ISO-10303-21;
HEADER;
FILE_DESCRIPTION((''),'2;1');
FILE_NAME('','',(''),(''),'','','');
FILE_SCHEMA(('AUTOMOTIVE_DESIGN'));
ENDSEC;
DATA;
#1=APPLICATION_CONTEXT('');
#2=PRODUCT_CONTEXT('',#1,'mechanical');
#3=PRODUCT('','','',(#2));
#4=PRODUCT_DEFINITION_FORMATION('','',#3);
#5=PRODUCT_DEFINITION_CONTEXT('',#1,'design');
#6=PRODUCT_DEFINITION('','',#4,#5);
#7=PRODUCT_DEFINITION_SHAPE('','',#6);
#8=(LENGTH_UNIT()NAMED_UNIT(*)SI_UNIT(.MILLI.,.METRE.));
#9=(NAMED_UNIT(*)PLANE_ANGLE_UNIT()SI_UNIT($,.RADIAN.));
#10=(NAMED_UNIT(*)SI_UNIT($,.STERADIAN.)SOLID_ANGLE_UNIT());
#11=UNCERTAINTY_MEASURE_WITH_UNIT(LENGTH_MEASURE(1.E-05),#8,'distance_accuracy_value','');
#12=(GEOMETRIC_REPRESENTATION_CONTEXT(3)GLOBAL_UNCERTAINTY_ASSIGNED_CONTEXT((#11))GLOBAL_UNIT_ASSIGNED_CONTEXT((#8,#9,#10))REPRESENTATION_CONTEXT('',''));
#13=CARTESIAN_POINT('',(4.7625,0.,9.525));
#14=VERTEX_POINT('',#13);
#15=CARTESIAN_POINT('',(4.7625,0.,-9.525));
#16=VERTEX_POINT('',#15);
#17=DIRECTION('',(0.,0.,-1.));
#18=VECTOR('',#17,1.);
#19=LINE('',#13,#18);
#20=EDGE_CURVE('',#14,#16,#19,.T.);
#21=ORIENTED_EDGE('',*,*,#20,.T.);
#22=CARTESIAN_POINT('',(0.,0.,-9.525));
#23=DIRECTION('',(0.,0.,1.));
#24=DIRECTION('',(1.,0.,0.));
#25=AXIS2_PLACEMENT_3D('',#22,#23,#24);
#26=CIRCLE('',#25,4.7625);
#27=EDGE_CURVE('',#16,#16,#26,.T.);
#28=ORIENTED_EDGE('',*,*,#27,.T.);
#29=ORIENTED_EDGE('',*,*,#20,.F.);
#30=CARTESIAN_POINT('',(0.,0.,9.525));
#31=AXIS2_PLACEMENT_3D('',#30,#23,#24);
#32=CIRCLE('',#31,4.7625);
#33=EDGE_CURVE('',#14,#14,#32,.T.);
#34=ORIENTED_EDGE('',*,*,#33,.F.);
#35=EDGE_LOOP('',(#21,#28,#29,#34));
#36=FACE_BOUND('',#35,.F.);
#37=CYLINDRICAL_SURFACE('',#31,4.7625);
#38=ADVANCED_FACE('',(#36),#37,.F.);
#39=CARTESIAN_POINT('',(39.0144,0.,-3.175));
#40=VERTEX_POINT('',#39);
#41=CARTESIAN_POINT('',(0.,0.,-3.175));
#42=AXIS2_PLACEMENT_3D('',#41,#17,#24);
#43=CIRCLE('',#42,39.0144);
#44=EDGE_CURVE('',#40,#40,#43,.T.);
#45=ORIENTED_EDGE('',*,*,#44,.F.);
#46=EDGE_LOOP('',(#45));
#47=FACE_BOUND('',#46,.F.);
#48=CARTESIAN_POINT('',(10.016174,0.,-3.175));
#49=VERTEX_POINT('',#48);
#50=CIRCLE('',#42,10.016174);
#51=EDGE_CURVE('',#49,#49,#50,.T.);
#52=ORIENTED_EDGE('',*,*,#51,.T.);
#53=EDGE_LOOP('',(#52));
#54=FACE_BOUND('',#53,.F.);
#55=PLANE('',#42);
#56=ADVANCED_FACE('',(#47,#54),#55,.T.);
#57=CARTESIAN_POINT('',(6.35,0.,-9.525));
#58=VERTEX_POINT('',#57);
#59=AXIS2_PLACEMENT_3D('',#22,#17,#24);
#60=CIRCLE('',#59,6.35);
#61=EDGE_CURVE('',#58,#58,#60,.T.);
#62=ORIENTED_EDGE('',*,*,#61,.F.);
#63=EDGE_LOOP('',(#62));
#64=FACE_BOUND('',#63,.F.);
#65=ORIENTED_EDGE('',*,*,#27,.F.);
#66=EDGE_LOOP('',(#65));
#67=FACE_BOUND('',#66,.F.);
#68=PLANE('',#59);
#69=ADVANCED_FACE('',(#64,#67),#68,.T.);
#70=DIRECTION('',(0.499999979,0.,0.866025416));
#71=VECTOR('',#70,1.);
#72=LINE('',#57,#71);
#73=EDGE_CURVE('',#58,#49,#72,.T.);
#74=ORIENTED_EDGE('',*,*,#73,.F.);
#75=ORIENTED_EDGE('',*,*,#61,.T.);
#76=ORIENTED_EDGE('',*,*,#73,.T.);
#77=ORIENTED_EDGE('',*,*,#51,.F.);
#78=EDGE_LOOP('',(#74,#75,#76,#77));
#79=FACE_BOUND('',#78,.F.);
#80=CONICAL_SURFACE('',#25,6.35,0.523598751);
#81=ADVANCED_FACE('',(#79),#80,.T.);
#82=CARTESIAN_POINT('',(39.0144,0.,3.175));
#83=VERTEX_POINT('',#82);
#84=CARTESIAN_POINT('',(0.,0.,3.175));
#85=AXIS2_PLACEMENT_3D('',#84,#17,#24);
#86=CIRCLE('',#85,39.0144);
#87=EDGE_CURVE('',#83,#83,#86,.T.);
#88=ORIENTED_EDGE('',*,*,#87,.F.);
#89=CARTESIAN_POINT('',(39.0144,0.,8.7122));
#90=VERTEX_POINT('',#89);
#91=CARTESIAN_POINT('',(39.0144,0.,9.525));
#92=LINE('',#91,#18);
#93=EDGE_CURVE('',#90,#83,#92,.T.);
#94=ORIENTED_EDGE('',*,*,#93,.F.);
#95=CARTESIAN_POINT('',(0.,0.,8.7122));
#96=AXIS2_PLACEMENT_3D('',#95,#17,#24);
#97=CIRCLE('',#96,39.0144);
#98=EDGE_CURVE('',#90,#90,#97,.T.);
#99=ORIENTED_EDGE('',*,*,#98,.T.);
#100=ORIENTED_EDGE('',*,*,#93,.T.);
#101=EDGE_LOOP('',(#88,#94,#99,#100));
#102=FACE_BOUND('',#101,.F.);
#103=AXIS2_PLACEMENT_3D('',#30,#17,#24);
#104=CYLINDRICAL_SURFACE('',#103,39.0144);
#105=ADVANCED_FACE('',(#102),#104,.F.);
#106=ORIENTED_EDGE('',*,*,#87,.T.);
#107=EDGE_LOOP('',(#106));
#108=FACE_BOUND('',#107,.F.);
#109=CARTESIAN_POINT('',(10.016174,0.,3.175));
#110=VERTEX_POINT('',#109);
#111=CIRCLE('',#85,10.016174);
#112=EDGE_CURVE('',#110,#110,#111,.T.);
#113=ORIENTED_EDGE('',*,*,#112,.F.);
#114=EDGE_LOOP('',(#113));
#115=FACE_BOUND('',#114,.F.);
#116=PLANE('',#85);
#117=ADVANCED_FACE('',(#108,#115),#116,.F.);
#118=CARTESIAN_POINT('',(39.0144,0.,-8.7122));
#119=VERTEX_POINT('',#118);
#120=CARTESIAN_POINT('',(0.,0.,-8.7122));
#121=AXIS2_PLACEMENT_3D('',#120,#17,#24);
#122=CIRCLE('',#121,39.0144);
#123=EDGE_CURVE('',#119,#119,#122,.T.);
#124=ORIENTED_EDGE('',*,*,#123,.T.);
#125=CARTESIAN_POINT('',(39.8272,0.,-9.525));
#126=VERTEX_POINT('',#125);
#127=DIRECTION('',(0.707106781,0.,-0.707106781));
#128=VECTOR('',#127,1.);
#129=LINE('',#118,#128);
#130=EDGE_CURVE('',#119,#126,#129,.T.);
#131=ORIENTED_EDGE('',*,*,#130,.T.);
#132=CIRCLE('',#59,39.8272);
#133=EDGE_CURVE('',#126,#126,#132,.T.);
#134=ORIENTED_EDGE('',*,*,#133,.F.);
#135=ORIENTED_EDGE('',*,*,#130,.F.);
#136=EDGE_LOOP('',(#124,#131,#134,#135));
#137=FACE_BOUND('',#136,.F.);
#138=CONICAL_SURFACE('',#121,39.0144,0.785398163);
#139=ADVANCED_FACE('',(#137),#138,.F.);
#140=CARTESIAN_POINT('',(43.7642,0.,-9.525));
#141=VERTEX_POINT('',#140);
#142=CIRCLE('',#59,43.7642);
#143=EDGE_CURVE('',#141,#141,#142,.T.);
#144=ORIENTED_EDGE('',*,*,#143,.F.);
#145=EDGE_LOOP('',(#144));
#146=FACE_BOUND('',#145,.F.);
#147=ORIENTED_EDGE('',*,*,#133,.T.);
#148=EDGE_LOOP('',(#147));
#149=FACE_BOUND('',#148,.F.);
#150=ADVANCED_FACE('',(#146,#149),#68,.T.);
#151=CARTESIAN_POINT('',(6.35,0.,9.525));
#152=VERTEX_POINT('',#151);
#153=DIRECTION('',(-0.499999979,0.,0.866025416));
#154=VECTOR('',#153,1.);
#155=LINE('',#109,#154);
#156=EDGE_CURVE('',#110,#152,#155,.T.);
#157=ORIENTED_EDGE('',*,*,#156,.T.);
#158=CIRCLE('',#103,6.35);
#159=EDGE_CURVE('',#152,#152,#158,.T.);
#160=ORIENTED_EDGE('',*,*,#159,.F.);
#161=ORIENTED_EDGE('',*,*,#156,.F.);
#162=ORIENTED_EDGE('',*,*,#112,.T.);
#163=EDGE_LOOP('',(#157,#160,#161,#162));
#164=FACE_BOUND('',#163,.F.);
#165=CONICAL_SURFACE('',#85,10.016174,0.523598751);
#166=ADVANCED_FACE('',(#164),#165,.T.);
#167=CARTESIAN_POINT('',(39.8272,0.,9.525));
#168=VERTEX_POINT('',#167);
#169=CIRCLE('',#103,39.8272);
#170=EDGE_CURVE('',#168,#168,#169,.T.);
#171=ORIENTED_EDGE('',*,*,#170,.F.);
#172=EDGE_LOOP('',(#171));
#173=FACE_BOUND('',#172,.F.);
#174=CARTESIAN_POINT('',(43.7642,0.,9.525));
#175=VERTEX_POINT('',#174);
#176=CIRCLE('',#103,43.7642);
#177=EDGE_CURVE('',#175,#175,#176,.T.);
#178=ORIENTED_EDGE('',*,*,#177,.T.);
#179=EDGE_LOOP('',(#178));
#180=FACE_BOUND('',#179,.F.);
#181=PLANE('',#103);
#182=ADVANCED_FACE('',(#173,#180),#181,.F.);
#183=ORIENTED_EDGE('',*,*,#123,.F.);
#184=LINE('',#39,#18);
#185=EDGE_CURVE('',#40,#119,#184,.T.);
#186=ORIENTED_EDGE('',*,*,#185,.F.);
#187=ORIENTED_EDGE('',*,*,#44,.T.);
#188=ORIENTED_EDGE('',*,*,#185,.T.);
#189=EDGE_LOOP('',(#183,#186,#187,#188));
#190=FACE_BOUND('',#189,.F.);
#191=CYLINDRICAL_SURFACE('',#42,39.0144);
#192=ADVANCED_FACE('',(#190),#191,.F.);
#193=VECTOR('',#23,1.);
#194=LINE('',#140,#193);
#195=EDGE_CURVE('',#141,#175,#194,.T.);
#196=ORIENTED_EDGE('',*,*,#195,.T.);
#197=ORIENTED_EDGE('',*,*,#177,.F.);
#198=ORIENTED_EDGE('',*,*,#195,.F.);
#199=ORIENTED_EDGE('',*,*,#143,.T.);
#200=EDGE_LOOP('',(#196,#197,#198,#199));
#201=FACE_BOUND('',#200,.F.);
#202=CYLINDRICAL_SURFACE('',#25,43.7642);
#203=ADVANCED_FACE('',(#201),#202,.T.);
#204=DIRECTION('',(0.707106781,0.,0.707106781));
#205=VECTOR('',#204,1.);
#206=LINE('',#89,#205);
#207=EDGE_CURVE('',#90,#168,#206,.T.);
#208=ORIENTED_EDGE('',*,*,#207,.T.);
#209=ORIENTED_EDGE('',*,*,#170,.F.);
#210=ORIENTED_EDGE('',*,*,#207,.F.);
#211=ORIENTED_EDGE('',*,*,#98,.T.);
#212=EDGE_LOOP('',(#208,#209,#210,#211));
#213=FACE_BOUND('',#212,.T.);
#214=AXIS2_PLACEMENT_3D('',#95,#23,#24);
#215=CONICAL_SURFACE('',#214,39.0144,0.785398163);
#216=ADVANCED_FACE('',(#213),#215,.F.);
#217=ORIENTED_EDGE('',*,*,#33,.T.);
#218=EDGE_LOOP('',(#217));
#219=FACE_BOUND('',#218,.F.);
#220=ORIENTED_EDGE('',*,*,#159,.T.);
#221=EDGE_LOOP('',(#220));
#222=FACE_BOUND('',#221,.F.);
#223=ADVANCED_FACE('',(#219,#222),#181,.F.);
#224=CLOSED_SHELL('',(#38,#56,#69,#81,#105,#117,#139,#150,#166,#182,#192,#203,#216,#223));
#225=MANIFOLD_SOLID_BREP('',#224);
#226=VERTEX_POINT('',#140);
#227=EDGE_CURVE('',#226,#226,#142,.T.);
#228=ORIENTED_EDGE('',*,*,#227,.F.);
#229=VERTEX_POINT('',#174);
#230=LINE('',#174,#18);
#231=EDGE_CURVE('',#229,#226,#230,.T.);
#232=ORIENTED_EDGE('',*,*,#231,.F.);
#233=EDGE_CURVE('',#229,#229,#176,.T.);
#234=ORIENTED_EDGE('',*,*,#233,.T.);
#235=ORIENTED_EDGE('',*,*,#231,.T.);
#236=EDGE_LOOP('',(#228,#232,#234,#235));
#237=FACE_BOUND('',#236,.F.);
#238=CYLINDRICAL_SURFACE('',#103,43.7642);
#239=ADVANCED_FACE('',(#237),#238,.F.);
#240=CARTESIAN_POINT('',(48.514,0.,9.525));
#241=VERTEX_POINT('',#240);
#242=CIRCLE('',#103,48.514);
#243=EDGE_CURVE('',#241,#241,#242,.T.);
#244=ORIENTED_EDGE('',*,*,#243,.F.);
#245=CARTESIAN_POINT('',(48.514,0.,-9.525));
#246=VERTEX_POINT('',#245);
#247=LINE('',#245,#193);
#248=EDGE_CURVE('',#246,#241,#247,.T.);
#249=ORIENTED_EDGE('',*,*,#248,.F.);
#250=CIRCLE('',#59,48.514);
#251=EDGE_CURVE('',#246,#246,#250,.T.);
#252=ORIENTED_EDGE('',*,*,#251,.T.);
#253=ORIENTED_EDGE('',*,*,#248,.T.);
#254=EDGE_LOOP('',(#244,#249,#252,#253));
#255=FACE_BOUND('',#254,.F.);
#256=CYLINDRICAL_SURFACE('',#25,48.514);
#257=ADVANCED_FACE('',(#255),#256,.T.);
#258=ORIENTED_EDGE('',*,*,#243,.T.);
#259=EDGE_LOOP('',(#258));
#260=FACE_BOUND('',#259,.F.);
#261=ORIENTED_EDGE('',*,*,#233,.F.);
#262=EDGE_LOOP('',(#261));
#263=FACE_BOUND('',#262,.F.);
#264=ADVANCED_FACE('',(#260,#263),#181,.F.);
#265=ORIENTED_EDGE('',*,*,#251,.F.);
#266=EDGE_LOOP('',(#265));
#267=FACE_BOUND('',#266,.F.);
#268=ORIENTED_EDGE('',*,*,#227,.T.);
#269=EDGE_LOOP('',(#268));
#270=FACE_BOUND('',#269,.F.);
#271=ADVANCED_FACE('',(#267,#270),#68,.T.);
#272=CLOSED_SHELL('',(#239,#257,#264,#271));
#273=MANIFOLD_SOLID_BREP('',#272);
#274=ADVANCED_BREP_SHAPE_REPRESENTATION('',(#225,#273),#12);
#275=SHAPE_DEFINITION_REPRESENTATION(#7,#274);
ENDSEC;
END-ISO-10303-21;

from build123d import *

# Parameters (mm, degrees)
F3_R     = 4.7625
F4_DEPTH = 19.051
F5_SIZE  = 0.8128


with BuildPart() as f1:
    # F0 (on Front) → F1 (revolve)
    with BuildSketch(Plane.XZ):
        Polygon((6.35, 9.525), (0, 9.525), (0, -9.525), (6.35, -9.525), (10.016174, -3.175), (39.0144, -3.175), (39.0144, -9.525), (43.7642, -9.525), (43.7642, 0), (43.7642, 9.525), (39.0144, 9.525), (39.0144, 3.175), (10.016174, 3.175), align=None)
    revolve(axis=Axis((0, 0, 0), (0, 0, -1)))

    # F3 (on face) → F4 (cut, through all)
    with BuildSketch(Plane.XY.offset(9.525)):
        Circle(F3_R)
    extrude(amount=-F4_DEPTH, mode=Mode.SUBTRACT)

    # F5
    f5_edges = [f1.edges().sort_by_distance(p)[0] for p in [
        (-39.0144, 0, 9.525),
        (-39.0144, 0, -9.525),
    ]]
    chamfer(f5_edges, length=F5_SIZE)


with BuildPart() as f2:
    # F0 (on Front) → F2 (revolve)
    with BuildSketch(Plane.XZ):
        Polygon((48.514, 9.525), (43.7642, 9.525), (43.7642, 0), (43.7642, -9.525), (48.514, -9.525), (48.514, 0), align=None)
    revolve(axis=Axis((0, 0, 0), (0, 0, -1)))


solid = Compound([f1.part, f2.part])
